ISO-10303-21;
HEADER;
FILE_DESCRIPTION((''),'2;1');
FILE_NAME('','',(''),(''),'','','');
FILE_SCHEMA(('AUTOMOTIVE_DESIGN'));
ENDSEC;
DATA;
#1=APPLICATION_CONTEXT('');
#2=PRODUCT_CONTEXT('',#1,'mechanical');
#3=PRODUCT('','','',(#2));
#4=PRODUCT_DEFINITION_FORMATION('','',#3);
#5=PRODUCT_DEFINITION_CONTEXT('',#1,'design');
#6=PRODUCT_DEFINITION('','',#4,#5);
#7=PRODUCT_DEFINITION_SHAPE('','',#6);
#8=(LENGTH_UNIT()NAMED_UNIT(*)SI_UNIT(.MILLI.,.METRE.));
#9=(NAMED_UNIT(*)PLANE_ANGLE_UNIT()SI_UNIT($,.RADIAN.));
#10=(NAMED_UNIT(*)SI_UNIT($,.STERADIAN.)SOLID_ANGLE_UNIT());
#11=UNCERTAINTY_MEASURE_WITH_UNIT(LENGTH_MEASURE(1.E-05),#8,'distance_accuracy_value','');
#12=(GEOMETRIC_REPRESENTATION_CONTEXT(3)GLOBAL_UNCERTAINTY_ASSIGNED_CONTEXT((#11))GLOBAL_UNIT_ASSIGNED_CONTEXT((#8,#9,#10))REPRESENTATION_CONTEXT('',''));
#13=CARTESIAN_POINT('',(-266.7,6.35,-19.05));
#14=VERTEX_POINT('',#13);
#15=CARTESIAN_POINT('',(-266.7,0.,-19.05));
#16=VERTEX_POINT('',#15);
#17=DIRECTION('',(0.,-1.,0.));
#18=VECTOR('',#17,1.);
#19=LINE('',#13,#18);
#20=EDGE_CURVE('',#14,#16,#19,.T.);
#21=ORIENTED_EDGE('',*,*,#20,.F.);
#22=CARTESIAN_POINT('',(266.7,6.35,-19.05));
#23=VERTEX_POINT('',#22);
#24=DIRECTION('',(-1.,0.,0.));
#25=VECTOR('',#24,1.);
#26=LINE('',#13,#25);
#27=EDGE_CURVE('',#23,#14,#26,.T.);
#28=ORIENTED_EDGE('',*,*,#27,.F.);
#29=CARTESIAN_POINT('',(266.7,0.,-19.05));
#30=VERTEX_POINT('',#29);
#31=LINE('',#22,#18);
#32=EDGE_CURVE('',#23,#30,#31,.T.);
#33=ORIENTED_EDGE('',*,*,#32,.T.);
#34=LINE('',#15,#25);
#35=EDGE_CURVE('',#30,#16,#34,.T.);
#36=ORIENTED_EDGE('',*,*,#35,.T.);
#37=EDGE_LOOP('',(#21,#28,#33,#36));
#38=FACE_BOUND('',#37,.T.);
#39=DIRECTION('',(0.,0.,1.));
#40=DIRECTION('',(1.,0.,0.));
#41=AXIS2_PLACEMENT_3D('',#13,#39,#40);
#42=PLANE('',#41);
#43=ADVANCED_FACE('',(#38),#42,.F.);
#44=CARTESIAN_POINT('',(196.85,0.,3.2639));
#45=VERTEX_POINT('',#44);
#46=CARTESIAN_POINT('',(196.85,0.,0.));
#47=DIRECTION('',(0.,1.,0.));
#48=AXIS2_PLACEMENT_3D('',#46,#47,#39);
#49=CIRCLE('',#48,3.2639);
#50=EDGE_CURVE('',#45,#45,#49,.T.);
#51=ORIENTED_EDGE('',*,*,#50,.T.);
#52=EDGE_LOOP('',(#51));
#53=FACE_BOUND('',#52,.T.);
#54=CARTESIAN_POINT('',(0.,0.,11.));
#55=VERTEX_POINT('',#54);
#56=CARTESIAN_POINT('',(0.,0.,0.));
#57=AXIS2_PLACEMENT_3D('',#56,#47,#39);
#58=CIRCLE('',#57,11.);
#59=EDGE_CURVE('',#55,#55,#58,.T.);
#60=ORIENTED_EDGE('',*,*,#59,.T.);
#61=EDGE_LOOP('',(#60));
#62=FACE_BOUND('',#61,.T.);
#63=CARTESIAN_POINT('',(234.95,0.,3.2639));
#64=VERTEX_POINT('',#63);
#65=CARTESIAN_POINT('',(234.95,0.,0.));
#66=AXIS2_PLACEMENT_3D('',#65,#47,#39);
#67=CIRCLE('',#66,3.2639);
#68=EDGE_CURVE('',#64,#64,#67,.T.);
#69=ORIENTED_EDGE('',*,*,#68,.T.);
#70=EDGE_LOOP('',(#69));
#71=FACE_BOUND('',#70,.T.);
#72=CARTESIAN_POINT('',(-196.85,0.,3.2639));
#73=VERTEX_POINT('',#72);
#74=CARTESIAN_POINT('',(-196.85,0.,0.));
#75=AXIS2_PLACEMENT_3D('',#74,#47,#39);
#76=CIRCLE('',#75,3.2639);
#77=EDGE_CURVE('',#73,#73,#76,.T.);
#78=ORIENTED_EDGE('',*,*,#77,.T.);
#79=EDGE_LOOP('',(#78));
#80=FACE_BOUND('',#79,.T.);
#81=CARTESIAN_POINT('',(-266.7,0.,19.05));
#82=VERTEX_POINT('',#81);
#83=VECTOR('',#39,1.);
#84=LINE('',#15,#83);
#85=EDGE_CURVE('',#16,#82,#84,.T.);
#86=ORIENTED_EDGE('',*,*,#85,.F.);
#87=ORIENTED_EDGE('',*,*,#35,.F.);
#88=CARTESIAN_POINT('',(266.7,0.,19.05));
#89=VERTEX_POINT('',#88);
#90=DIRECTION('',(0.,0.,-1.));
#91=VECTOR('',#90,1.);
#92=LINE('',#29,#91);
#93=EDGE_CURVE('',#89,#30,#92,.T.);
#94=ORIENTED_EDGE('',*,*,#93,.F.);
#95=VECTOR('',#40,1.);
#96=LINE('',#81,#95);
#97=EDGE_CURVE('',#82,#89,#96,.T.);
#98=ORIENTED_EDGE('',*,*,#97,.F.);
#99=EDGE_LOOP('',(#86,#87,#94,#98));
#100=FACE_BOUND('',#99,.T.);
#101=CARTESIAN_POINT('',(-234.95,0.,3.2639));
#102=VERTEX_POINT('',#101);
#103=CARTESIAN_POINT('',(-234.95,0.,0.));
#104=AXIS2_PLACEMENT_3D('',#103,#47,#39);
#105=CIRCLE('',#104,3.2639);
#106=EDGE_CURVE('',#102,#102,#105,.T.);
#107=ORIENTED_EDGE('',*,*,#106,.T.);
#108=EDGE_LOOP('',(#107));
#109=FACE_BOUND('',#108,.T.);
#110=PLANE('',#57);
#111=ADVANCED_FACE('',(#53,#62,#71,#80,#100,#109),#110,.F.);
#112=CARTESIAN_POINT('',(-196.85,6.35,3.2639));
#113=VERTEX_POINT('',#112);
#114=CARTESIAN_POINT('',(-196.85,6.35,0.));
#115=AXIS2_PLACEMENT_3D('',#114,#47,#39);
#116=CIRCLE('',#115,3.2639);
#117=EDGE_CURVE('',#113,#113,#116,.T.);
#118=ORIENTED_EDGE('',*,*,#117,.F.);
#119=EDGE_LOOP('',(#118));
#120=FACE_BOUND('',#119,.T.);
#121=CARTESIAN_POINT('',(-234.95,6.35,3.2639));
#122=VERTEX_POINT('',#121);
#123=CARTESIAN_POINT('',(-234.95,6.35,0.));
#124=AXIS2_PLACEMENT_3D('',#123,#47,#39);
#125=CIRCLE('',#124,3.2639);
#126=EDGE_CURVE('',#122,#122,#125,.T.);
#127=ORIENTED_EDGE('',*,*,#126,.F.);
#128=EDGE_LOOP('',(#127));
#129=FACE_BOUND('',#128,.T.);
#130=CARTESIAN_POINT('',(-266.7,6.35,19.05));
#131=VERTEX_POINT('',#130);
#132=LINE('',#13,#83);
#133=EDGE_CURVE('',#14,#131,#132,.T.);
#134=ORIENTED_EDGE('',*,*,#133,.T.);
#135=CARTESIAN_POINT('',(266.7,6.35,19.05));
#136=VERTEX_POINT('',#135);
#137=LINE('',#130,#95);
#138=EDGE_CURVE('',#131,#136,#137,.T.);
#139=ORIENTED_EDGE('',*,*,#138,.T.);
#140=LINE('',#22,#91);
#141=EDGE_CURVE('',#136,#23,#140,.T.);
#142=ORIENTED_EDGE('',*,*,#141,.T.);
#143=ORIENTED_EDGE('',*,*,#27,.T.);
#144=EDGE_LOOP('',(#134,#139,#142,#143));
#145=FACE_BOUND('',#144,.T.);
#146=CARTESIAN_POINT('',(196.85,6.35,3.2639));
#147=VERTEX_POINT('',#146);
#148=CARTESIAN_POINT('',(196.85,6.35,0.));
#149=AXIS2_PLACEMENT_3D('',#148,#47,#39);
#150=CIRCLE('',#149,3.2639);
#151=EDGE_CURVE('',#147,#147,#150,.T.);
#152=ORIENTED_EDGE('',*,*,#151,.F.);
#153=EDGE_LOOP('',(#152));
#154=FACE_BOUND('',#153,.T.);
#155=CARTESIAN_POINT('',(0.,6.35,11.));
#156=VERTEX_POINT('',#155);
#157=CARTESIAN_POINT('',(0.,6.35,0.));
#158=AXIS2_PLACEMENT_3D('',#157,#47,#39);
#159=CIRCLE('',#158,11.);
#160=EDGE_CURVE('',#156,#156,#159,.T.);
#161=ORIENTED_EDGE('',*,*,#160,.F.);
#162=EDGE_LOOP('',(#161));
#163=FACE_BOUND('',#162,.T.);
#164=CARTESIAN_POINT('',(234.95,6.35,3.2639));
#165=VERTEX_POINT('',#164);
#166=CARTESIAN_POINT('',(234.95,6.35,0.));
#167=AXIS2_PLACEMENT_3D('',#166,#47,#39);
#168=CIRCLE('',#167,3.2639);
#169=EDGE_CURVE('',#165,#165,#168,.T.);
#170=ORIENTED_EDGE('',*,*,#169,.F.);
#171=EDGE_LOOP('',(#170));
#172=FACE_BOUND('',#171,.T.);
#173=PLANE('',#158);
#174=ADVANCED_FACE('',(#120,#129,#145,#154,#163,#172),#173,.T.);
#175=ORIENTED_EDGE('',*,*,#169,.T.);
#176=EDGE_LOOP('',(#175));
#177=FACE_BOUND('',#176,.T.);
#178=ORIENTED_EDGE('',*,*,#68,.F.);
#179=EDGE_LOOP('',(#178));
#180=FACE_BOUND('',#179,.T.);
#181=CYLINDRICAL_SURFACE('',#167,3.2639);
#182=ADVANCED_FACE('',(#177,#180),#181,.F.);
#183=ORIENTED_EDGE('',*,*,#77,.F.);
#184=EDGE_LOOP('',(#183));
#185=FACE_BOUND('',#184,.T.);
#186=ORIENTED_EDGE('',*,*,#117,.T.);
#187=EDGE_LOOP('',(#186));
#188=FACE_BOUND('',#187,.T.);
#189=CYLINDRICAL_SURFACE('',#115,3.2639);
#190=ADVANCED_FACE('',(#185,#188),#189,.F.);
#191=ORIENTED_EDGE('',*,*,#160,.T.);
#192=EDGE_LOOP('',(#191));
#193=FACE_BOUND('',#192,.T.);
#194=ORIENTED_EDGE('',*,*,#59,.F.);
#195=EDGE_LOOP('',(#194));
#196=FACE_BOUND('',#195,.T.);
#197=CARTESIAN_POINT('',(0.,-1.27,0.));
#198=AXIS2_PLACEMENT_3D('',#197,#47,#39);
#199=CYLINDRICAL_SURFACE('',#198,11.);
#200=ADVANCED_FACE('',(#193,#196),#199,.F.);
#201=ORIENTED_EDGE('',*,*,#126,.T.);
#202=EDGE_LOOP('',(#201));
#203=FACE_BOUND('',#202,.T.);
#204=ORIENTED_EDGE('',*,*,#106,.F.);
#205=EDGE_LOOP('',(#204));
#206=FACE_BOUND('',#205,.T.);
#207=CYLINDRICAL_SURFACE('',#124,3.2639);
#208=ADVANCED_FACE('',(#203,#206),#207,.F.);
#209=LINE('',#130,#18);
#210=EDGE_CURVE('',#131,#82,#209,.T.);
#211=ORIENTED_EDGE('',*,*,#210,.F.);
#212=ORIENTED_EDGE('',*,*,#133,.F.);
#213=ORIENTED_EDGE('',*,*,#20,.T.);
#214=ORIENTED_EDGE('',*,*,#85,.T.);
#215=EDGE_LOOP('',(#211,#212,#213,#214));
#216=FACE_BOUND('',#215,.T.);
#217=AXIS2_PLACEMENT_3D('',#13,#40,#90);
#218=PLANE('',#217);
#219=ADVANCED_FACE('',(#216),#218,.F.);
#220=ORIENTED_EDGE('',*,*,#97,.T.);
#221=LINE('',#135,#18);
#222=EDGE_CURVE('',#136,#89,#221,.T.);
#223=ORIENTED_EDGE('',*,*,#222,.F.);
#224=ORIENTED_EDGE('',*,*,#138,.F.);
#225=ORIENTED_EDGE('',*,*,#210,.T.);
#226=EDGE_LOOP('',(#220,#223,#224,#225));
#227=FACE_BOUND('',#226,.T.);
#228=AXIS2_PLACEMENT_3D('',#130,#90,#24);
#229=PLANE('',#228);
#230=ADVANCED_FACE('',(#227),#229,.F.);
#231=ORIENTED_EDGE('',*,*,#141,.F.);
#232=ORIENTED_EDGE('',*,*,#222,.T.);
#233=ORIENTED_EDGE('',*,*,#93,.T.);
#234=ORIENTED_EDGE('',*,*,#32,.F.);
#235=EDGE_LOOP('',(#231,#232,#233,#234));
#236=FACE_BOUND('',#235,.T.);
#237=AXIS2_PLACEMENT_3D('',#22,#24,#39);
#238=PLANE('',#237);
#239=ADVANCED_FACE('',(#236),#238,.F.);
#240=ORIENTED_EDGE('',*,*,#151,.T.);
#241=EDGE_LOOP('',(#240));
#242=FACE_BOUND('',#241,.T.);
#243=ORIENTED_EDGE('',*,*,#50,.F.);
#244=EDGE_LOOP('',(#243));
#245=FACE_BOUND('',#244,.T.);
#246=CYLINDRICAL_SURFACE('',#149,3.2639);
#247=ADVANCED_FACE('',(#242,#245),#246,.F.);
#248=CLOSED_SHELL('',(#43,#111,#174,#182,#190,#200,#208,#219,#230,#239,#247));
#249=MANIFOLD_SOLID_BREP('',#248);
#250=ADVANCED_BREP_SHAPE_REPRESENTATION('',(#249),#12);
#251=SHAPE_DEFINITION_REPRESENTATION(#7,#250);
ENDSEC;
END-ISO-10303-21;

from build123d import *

# Parameters (mm, degrees)
SKETCH1_W                = 533.4
SKETCH1_H                = 38.1
BOSS_EXTRUDE1_DEPTH      = 6.35
SKETCH2_R                = 11
CUT_EXTRUDE1_DEPTH       = 7.62
F_0_257_DIAMETER_HOLE1_D = 6.5278


with BuildPart() as part:
    # Sketch1 → Boss-Extrude1 (new body)
    with BuildSketch(Plane(origin=(0, 0, 0), x_dir=(1, 0, 0), z_dir=(0, 1, 0))):
        Rectangle(SKETCH1_W, SKETCH1_H)
    extrude(amount=BOSS_EXTRUDE1_DEPTH)

    # Sketch2 → Cut-Extrude1 (cut)
    with BuildSketch(Plane(origin=(0, 6.35, 0), x_dir=(1, 0, 0), z_dir=(0, 1, 0))):
        Circle(SKETCH2_R)
    extrude(amount=-CUT_EXTRUDE1_DEPTH, mode=Mode.SUBTRACT)

    # F (0.257) Diameter Hole1 (through all)
    with Locations(Plane(origin=(0, 6.35, 0), x_dir=(1, 0, 0), z_dir=(0, 1, 0))):
        with Locations((234.95, 0), (196.85, 0)):
            f_0_257_diameter_hole1 = Hole(F_0_257_DIAMETER_HOLE1_D / 2)

    # Mirror1: F (0.257) Diameter Hole1 across plane
    add(f_0_257_diameter_hole1.mirror(Plane(origin=(0, 0, 0), x_dir=(0, 0, 1), z_dir=(1, 0, 0))), mode=Mode.SUBTRACT)


solid = part.part
